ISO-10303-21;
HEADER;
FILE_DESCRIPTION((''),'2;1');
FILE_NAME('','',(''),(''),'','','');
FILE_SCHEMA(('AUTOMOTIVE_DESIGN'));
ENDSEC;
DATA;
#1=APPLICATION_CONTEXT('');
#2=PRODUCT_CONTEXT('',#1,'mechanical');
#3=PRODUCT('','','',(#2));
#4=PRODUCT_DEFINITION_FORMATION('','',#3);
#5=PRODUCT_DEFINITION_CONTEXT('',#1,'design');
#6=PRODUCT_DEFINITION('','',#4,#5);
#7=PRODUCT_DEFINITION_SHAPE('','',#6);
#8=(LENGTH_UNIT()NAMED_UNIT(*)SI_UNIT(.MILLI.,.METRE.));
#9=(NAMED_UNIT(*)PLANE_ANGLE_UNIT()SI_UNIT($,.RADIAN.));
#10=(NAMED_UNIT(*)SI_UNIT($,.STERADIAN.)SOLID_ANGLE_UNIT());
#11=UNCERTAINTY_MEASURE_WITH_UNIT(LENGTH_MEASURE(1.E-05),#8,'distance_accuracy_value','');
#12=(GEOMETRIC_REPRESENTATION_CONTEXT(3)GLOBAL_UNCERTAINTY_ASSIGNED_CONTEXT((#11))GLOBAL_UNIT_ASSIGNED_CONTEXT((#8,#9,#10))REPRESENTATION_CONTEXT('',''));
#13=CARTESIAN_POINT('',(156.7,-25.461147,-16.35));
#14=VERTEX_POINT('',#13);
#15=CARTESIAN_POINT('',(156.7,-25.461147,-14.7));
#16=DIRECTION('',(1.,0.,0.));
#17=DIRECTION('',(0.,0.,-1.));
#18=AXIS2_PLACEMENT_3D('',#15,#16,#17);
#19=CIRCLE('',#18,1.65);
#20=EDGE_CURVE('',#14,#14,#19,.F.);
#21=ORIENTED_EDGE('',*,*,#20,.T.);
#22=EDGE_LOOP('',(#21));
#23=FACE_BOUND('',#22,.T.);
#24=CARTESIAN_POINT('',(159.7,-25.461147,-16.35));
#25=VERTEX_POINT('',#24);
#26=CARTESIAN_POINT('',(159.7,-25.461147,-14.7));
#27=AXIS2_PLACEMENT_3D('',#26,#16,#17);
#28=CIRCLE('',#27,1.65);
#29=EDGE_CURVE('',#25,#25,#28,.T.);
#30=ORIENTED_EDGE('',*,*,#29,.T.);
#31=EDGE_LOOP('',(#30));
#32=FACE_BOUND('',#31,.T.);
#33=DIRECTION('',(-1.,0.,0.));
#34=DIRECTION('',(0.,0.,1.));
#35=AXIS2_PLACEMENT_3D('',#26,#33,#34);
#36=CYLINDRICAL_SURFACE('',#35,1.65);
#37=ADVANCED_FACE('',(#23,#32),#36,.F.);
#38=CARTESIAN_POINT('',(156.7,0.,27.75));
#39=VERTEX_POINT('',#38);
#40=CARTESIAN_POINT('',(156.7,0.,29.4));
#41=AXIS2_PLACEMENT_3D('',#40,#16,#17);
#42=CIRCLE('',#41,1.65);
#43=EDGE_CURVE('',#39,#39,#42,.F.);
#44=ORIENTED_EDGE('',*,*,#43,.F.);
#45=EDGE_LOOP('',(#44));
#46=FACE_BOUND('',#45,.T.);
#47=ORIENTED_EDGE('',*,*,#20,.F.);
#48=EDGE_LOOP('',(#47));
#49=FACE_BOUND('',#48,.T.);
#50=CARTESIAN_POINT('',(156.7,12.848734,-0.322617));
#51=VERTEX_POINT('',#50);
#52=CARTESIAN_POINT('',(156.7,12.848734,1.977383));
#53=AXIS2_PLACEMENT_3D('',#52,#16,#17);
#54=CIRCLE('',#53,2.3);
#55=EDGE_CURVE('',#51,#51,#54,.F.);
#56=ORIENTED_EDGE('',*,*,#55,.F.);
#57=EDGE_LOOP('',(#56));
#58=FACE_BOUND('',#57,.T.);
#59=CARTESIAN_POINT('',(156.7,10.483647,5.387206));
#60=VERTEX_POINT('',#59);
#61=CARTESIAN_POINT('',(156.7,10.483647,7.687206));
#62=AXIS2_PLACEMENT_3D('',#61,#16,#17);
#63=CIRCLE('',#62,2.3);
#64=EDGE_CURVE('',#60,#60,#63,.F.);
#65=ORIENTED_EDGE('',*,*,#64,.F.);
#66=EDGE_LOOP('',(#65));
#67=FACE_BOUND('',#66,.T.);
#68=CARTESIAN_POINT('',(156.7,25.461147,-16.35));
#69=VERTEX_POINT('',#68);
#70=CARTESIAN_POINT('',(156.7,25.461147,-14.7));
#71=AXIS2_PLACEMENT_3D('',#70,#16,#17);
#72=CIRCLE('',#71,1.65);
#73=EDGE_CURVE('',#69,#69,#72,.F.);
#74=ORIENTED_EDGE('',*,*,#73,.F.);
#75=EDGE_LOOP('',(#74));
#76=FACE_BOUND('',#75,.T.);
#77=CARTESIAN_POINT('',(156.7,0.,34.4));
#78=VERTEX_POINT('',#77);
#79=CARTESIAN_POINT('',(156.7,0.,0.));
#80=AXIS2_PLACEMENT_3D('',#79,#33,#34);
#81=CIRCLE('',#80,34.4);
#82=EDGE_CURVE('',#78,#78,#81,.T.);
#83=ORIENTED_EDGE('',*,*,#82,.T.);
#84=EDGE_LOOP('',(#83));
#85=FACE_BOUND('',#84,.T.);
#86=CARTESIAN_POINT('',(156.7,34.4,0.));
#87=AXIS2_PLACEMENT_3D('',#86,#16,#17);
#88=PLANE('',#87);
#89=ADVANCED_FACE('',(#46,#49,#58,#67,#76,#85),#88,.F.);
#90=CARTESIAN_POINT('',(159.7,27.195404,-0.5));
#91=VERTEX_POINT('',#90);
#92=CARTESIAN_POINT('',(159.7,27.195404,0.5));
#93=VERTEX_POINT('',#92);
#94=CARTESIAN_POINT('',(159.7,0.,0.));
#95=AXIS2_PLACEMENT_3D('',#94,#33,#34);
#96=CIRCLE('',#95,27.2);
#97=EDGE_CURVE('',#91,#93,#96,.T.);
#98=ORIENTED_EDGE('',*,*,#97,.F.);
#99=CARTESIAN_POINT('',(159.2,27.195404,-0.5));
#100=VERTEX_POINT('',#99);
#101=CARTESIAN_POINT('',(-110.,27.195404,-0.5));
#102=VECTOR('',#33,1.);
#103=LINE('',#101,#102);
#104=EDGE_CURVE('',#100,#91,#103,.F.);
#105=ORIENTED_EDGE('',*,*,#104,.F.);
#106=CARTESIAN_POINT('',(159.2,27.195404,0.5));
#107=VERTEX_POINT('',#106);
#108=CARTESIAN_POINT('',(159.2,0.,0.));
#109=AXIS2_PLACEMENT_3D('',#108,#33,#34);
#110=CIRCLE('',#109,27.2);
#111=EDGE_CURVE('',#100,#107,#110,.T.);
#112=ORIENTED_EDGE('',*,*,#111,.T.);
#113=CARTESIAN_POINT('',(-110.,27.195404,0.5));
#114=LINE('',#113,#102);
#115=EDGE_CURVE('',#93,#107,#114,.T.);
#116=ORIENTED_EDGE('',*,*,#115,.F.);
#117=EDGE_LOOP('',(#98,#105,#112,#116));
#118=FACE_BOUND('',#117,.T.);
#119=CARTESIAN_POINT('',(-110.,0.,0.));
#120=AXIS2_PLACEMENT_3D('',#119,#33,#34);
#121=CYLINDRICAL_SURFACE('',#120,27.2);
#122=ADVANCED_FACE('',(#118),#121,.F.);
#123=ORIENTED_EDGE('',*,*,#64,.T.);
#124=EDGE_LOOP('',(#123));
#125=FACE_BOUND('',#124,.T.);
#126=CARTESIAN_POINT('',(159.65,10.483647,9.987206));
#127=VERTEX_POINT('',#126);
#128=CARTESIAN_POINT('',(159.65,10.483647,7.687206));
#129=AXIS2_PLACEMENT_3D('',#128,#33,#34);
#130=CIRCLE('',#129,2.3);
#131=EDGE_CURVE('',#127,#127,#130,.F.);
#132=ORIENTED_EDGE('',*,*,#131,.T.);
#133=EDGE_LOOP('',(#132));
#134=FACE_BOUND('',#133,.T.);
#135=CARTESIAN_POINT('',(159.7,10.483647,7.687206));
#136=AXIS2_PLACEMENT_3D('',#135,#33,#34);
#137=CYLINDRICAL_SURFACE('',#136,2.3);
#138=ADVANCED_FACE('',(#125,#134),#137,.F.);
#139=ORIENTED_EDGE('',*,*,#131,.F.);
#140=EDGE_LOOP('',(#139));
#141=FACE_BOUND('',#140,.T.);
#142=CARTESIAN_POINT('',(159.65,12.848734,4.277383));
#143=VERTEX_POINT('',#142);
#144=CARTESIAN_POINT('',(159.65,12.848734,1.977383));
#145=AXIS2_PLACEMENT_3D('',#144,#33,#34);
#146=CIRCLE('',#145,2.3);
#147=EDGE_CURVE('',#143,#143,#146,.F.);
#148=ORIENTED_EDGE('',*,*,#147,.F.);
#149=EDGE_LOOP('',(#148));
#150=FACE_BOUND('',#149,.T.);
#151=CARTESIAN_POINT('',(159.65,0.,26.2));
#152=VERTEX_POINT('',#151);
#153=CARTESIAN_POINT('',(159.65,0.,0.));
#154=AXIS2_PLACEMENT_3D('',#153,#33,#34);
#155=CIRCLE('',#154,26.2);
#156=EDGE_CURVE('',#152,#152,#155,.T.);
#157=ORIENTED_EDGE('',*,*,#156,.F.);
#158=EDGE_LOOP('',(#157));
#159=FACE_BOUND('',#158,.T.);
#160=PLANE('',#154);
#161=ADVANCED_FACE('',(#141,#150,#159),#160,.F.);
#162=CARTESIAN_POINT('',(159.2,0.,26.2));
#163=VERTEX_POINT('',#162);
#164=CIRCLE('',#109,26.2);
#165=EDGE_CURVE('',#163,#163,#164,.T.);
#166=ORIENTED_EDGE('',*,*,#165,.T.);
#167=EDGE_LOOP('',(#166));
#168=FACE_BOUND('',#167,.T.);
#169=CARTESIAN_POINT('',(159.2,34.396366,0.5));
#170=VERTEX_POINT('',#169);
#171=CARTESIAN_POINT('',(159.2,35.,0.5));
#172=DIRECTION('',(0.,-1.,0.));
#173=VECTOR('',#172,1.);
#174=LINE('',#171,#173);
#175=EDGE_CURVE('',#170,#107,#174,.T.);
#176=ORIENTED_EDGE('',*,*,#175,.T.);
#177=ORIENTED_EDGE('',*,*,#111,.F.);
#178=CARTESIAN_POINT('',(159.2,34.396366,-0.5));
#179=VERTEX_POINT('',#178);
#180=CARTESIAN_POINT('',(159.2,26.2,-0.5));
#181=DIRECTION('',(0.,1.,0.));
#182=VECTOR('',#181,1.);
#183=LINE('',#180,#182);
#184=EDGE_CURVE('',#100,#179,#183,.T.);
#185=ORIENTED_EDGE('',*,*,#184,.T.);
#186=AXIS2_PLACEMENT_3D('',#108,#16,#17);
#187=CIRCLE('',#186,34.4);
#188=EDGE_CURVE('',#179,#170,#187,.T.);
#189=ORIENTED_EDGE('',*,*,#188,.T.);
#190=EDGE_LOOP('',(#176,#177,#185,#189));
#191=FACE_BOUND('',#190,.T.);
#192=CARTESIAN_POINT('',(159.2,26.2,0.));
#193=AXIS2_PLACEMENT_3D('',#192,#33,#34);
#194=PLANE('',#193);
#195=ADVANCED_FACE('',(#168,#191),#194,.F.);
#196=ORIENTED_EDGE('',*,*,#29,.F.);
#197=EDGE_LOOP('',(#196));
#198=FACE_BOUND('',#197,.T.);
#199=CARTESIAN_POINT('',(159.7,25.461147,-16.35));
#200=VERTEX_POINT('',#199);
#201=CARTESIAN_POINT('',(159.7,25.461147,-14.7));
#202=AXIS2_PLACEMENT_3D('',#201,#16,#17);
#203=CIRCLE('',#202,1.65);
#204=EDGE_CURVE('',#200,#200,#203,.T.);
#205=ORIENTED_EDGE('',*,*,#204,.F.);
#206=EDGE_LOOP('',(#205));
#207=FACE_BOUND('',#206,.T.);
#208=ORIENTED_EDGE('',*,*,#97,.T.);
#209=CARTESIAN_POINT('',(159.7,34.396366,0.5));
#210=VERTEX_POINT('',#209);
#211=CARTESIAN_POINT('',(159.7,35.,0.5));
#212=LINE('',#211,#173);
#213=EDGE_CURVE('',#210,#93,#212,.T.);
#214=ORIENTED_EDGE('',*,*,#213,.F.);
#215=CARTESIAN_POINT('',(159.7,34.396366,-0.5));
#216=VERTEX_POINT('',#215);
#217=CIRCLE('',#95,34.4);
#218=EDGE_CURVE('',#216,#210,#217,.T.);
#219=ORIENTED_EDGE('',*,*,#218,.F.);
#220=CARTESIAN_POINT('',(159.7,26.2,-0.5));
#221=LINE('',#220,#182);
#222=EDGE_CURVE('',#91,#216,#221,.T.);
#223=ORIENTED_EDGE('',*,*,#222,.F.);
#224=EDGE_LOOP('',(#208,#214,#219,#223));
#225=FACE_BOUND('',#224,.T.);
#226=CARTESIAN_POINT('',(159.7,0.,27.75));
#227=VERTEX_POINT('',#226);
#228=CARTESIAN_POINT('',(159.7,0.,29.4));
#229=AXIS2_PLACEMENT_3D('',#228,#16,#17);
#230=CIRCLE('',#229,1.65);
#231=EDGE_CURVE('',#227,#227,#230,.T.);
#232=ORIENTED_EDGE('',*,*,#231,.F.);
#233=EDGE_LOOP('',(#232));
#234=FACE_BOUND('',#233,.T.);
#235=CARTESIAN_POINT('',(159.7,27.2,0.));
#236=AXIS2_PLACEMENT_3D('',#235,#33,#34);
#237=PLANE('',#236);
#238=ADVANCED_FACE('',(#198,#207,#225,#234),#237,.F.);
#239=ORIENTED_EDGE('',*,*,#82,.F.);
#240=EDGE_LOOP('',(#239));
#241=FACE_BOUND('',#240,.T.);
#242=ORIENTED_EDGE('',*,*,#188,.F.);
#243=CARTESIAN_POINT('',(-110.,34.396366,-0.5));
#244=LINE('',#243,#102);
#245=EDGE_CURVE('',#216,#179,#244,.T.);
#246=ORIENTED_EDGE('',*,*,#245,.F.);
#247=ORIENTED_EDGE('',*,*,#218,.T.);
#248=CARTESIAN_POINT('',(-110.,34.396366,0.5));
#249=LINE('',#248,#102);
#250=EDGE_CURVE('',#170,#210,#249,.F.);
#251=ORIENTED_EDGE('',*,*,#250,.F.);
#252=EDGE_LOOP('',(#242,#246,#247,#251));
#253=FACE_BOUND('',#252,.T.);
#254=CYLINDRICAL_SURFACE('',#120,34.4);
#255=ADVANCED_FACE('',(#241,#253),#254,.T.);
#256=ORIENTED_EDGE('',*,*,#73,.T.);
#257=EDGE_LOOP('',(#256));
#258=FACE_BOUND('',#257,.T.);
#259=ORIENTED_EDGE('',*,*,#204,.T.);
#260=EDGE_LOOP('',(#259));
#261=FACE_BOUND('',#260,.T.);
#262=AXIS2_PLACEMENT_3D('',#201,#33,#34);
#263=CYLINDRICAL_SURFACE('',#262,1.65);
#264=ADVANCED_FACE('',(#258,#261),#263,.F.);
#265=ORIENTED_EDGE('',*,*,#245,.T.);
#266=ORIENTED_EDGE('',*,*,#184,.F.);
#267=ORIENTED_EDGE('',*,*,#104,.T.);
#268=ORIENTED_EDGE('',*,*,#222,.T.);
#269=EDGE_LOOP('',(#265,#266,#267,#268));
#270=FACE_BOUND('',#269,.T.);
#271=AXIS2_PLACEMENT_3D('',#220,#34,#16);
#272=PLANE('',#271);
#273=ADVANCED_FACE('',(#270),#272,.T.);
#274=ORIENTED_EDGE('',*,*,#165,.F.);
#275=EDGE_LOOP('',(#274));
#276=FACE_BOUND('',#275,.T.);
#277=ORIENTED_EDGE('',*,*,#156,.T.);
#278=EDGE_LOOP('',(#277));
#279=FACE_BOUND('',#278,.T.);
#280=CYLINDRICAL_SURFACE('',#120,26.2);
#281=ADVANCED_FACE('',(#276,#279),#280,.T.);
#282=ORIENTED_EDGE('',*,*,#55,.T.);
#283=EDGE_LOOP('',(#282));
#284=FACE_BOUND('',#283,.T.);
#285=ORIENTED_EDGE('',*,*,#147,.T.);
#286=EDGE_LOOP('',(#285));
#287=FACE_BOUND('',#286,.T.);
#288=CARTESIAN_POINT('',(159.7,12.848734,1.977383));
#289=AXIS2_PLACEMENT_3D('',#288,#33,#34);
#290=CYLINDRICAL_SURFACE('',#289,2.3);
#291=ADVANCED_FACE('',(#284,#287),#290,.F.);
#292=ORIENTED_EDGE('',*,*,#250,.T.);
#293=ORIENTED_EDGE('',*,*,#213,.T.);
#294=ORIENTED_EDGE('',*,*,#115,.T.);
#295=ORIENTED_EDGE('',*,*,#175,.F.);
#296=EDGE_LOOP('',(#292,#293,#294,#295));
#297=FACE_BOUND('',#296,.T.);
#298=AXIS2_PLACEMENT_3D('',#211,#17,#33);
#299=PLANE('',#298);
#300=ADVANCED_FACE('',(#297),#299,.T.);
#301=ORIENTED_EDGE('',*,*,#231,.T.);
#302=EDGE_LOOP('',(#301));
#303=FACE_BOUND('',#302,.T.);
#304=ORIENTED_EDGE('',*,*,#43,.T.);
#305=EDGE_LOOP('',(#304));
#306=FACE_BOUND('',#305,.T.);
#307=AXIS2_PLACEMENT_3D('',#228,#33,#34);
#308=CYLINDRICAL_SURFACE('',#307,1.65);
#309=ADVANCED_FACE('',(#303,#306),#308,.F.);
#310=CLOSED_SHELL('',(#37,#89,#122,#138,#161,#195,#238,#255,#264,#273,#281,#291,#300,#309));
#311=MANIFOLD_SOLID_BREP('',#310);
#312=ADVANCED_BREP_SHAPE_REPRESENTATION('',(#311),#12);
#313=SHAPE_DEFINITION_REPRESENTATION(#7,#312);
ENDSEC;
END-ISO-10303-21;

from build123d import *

# Parameters (mm, degrees)
AXIAL_HOLES_DEPTH                            = 167.945530039
AXIAL_HOLES_DEPTH_BACK                       = 167.945530039
SKETCH2_R                                    = 2.3
SKETCH2_R_2                                  = 1.65
DRY_START                                    = 159.2
SKETCH3_W                                    = 1
SKETCH3_H                                    = 8.8
DRY_INTERFACE_VENT_NOT_A_COOLANT_PASSA_DEPTH = 0.5


with BuildPart() as part:
    # Axial profile (mm) → Full revolution (revolve)
    with BuildSketch(Plane.XY, mode=Mode.PRIVATE) as full_revolution_sk:
        Polygon((156.7, 0), (159.65, 0), (159.65, 26.2), (159.2, 26.2), (159.2, 27.2), (159.7, 27.2), (159.7, 34.4), (156.7, 34.4), align=None)
    revolve(full_revolution_sk.sketch.rotate(Axis((-110, 0, 0), (1, 0, 0)), 90), axis=Axis((-110, 0, 0), (1, 0, 0)))

    # Sketch2 → Axial holes (cut, two sides: drawn at the far end of the back side and taken through both)
    with BuildSketch(Plane(origin=(0, 0, 0), x_dir=(0, 0, -1), z_dir=(1, 0, 0)).offset(-AXIAL_HOLES_DEPTH_BACK)):
        with Locations(Location((-1.977382665, 12.848733704, 0), (0, 0, 180))):
            Circle(SKETCH2_R)
        with Locations(Location((-7.687206041, 10.483647423, 0), (0, 0, 180))):
            Circle(SKETCH2_R)
        with Locations((-29.4, 0)):
            Circle(SKETCH2_R_2)
        with Locations((14.7, -25.461146871)):
            Circle(SKETCH2_R_2)
        with Locations((14.7, 25.461146871)):
            Circle(SKETCH2_R_2)
    extrude(amount=AXIAL_HOLES_DEPTH + AXIAL_HOLES_DEPTH_BACK, mode=Mode.SUBTRACT)

    # Sketch3 → Dry interface vent - NOT a coolant passage (cut)
    with BuildSketch(Plane(origin=(0, 0, 0), x_dir=(0, 0, -1), z_dir=(1, 0, 0)).offset(DRY_START)):
        with Locations((0, 30.6)):
            Rectangle(SKETCH3_W, SKETCH3_H)
    extrude(amount=DRY_INTERFACE_VENT_NOT_A_COOLANT_PASSA_DEPTH, mode=Mode.SUBTRACT)


solid = part.part
